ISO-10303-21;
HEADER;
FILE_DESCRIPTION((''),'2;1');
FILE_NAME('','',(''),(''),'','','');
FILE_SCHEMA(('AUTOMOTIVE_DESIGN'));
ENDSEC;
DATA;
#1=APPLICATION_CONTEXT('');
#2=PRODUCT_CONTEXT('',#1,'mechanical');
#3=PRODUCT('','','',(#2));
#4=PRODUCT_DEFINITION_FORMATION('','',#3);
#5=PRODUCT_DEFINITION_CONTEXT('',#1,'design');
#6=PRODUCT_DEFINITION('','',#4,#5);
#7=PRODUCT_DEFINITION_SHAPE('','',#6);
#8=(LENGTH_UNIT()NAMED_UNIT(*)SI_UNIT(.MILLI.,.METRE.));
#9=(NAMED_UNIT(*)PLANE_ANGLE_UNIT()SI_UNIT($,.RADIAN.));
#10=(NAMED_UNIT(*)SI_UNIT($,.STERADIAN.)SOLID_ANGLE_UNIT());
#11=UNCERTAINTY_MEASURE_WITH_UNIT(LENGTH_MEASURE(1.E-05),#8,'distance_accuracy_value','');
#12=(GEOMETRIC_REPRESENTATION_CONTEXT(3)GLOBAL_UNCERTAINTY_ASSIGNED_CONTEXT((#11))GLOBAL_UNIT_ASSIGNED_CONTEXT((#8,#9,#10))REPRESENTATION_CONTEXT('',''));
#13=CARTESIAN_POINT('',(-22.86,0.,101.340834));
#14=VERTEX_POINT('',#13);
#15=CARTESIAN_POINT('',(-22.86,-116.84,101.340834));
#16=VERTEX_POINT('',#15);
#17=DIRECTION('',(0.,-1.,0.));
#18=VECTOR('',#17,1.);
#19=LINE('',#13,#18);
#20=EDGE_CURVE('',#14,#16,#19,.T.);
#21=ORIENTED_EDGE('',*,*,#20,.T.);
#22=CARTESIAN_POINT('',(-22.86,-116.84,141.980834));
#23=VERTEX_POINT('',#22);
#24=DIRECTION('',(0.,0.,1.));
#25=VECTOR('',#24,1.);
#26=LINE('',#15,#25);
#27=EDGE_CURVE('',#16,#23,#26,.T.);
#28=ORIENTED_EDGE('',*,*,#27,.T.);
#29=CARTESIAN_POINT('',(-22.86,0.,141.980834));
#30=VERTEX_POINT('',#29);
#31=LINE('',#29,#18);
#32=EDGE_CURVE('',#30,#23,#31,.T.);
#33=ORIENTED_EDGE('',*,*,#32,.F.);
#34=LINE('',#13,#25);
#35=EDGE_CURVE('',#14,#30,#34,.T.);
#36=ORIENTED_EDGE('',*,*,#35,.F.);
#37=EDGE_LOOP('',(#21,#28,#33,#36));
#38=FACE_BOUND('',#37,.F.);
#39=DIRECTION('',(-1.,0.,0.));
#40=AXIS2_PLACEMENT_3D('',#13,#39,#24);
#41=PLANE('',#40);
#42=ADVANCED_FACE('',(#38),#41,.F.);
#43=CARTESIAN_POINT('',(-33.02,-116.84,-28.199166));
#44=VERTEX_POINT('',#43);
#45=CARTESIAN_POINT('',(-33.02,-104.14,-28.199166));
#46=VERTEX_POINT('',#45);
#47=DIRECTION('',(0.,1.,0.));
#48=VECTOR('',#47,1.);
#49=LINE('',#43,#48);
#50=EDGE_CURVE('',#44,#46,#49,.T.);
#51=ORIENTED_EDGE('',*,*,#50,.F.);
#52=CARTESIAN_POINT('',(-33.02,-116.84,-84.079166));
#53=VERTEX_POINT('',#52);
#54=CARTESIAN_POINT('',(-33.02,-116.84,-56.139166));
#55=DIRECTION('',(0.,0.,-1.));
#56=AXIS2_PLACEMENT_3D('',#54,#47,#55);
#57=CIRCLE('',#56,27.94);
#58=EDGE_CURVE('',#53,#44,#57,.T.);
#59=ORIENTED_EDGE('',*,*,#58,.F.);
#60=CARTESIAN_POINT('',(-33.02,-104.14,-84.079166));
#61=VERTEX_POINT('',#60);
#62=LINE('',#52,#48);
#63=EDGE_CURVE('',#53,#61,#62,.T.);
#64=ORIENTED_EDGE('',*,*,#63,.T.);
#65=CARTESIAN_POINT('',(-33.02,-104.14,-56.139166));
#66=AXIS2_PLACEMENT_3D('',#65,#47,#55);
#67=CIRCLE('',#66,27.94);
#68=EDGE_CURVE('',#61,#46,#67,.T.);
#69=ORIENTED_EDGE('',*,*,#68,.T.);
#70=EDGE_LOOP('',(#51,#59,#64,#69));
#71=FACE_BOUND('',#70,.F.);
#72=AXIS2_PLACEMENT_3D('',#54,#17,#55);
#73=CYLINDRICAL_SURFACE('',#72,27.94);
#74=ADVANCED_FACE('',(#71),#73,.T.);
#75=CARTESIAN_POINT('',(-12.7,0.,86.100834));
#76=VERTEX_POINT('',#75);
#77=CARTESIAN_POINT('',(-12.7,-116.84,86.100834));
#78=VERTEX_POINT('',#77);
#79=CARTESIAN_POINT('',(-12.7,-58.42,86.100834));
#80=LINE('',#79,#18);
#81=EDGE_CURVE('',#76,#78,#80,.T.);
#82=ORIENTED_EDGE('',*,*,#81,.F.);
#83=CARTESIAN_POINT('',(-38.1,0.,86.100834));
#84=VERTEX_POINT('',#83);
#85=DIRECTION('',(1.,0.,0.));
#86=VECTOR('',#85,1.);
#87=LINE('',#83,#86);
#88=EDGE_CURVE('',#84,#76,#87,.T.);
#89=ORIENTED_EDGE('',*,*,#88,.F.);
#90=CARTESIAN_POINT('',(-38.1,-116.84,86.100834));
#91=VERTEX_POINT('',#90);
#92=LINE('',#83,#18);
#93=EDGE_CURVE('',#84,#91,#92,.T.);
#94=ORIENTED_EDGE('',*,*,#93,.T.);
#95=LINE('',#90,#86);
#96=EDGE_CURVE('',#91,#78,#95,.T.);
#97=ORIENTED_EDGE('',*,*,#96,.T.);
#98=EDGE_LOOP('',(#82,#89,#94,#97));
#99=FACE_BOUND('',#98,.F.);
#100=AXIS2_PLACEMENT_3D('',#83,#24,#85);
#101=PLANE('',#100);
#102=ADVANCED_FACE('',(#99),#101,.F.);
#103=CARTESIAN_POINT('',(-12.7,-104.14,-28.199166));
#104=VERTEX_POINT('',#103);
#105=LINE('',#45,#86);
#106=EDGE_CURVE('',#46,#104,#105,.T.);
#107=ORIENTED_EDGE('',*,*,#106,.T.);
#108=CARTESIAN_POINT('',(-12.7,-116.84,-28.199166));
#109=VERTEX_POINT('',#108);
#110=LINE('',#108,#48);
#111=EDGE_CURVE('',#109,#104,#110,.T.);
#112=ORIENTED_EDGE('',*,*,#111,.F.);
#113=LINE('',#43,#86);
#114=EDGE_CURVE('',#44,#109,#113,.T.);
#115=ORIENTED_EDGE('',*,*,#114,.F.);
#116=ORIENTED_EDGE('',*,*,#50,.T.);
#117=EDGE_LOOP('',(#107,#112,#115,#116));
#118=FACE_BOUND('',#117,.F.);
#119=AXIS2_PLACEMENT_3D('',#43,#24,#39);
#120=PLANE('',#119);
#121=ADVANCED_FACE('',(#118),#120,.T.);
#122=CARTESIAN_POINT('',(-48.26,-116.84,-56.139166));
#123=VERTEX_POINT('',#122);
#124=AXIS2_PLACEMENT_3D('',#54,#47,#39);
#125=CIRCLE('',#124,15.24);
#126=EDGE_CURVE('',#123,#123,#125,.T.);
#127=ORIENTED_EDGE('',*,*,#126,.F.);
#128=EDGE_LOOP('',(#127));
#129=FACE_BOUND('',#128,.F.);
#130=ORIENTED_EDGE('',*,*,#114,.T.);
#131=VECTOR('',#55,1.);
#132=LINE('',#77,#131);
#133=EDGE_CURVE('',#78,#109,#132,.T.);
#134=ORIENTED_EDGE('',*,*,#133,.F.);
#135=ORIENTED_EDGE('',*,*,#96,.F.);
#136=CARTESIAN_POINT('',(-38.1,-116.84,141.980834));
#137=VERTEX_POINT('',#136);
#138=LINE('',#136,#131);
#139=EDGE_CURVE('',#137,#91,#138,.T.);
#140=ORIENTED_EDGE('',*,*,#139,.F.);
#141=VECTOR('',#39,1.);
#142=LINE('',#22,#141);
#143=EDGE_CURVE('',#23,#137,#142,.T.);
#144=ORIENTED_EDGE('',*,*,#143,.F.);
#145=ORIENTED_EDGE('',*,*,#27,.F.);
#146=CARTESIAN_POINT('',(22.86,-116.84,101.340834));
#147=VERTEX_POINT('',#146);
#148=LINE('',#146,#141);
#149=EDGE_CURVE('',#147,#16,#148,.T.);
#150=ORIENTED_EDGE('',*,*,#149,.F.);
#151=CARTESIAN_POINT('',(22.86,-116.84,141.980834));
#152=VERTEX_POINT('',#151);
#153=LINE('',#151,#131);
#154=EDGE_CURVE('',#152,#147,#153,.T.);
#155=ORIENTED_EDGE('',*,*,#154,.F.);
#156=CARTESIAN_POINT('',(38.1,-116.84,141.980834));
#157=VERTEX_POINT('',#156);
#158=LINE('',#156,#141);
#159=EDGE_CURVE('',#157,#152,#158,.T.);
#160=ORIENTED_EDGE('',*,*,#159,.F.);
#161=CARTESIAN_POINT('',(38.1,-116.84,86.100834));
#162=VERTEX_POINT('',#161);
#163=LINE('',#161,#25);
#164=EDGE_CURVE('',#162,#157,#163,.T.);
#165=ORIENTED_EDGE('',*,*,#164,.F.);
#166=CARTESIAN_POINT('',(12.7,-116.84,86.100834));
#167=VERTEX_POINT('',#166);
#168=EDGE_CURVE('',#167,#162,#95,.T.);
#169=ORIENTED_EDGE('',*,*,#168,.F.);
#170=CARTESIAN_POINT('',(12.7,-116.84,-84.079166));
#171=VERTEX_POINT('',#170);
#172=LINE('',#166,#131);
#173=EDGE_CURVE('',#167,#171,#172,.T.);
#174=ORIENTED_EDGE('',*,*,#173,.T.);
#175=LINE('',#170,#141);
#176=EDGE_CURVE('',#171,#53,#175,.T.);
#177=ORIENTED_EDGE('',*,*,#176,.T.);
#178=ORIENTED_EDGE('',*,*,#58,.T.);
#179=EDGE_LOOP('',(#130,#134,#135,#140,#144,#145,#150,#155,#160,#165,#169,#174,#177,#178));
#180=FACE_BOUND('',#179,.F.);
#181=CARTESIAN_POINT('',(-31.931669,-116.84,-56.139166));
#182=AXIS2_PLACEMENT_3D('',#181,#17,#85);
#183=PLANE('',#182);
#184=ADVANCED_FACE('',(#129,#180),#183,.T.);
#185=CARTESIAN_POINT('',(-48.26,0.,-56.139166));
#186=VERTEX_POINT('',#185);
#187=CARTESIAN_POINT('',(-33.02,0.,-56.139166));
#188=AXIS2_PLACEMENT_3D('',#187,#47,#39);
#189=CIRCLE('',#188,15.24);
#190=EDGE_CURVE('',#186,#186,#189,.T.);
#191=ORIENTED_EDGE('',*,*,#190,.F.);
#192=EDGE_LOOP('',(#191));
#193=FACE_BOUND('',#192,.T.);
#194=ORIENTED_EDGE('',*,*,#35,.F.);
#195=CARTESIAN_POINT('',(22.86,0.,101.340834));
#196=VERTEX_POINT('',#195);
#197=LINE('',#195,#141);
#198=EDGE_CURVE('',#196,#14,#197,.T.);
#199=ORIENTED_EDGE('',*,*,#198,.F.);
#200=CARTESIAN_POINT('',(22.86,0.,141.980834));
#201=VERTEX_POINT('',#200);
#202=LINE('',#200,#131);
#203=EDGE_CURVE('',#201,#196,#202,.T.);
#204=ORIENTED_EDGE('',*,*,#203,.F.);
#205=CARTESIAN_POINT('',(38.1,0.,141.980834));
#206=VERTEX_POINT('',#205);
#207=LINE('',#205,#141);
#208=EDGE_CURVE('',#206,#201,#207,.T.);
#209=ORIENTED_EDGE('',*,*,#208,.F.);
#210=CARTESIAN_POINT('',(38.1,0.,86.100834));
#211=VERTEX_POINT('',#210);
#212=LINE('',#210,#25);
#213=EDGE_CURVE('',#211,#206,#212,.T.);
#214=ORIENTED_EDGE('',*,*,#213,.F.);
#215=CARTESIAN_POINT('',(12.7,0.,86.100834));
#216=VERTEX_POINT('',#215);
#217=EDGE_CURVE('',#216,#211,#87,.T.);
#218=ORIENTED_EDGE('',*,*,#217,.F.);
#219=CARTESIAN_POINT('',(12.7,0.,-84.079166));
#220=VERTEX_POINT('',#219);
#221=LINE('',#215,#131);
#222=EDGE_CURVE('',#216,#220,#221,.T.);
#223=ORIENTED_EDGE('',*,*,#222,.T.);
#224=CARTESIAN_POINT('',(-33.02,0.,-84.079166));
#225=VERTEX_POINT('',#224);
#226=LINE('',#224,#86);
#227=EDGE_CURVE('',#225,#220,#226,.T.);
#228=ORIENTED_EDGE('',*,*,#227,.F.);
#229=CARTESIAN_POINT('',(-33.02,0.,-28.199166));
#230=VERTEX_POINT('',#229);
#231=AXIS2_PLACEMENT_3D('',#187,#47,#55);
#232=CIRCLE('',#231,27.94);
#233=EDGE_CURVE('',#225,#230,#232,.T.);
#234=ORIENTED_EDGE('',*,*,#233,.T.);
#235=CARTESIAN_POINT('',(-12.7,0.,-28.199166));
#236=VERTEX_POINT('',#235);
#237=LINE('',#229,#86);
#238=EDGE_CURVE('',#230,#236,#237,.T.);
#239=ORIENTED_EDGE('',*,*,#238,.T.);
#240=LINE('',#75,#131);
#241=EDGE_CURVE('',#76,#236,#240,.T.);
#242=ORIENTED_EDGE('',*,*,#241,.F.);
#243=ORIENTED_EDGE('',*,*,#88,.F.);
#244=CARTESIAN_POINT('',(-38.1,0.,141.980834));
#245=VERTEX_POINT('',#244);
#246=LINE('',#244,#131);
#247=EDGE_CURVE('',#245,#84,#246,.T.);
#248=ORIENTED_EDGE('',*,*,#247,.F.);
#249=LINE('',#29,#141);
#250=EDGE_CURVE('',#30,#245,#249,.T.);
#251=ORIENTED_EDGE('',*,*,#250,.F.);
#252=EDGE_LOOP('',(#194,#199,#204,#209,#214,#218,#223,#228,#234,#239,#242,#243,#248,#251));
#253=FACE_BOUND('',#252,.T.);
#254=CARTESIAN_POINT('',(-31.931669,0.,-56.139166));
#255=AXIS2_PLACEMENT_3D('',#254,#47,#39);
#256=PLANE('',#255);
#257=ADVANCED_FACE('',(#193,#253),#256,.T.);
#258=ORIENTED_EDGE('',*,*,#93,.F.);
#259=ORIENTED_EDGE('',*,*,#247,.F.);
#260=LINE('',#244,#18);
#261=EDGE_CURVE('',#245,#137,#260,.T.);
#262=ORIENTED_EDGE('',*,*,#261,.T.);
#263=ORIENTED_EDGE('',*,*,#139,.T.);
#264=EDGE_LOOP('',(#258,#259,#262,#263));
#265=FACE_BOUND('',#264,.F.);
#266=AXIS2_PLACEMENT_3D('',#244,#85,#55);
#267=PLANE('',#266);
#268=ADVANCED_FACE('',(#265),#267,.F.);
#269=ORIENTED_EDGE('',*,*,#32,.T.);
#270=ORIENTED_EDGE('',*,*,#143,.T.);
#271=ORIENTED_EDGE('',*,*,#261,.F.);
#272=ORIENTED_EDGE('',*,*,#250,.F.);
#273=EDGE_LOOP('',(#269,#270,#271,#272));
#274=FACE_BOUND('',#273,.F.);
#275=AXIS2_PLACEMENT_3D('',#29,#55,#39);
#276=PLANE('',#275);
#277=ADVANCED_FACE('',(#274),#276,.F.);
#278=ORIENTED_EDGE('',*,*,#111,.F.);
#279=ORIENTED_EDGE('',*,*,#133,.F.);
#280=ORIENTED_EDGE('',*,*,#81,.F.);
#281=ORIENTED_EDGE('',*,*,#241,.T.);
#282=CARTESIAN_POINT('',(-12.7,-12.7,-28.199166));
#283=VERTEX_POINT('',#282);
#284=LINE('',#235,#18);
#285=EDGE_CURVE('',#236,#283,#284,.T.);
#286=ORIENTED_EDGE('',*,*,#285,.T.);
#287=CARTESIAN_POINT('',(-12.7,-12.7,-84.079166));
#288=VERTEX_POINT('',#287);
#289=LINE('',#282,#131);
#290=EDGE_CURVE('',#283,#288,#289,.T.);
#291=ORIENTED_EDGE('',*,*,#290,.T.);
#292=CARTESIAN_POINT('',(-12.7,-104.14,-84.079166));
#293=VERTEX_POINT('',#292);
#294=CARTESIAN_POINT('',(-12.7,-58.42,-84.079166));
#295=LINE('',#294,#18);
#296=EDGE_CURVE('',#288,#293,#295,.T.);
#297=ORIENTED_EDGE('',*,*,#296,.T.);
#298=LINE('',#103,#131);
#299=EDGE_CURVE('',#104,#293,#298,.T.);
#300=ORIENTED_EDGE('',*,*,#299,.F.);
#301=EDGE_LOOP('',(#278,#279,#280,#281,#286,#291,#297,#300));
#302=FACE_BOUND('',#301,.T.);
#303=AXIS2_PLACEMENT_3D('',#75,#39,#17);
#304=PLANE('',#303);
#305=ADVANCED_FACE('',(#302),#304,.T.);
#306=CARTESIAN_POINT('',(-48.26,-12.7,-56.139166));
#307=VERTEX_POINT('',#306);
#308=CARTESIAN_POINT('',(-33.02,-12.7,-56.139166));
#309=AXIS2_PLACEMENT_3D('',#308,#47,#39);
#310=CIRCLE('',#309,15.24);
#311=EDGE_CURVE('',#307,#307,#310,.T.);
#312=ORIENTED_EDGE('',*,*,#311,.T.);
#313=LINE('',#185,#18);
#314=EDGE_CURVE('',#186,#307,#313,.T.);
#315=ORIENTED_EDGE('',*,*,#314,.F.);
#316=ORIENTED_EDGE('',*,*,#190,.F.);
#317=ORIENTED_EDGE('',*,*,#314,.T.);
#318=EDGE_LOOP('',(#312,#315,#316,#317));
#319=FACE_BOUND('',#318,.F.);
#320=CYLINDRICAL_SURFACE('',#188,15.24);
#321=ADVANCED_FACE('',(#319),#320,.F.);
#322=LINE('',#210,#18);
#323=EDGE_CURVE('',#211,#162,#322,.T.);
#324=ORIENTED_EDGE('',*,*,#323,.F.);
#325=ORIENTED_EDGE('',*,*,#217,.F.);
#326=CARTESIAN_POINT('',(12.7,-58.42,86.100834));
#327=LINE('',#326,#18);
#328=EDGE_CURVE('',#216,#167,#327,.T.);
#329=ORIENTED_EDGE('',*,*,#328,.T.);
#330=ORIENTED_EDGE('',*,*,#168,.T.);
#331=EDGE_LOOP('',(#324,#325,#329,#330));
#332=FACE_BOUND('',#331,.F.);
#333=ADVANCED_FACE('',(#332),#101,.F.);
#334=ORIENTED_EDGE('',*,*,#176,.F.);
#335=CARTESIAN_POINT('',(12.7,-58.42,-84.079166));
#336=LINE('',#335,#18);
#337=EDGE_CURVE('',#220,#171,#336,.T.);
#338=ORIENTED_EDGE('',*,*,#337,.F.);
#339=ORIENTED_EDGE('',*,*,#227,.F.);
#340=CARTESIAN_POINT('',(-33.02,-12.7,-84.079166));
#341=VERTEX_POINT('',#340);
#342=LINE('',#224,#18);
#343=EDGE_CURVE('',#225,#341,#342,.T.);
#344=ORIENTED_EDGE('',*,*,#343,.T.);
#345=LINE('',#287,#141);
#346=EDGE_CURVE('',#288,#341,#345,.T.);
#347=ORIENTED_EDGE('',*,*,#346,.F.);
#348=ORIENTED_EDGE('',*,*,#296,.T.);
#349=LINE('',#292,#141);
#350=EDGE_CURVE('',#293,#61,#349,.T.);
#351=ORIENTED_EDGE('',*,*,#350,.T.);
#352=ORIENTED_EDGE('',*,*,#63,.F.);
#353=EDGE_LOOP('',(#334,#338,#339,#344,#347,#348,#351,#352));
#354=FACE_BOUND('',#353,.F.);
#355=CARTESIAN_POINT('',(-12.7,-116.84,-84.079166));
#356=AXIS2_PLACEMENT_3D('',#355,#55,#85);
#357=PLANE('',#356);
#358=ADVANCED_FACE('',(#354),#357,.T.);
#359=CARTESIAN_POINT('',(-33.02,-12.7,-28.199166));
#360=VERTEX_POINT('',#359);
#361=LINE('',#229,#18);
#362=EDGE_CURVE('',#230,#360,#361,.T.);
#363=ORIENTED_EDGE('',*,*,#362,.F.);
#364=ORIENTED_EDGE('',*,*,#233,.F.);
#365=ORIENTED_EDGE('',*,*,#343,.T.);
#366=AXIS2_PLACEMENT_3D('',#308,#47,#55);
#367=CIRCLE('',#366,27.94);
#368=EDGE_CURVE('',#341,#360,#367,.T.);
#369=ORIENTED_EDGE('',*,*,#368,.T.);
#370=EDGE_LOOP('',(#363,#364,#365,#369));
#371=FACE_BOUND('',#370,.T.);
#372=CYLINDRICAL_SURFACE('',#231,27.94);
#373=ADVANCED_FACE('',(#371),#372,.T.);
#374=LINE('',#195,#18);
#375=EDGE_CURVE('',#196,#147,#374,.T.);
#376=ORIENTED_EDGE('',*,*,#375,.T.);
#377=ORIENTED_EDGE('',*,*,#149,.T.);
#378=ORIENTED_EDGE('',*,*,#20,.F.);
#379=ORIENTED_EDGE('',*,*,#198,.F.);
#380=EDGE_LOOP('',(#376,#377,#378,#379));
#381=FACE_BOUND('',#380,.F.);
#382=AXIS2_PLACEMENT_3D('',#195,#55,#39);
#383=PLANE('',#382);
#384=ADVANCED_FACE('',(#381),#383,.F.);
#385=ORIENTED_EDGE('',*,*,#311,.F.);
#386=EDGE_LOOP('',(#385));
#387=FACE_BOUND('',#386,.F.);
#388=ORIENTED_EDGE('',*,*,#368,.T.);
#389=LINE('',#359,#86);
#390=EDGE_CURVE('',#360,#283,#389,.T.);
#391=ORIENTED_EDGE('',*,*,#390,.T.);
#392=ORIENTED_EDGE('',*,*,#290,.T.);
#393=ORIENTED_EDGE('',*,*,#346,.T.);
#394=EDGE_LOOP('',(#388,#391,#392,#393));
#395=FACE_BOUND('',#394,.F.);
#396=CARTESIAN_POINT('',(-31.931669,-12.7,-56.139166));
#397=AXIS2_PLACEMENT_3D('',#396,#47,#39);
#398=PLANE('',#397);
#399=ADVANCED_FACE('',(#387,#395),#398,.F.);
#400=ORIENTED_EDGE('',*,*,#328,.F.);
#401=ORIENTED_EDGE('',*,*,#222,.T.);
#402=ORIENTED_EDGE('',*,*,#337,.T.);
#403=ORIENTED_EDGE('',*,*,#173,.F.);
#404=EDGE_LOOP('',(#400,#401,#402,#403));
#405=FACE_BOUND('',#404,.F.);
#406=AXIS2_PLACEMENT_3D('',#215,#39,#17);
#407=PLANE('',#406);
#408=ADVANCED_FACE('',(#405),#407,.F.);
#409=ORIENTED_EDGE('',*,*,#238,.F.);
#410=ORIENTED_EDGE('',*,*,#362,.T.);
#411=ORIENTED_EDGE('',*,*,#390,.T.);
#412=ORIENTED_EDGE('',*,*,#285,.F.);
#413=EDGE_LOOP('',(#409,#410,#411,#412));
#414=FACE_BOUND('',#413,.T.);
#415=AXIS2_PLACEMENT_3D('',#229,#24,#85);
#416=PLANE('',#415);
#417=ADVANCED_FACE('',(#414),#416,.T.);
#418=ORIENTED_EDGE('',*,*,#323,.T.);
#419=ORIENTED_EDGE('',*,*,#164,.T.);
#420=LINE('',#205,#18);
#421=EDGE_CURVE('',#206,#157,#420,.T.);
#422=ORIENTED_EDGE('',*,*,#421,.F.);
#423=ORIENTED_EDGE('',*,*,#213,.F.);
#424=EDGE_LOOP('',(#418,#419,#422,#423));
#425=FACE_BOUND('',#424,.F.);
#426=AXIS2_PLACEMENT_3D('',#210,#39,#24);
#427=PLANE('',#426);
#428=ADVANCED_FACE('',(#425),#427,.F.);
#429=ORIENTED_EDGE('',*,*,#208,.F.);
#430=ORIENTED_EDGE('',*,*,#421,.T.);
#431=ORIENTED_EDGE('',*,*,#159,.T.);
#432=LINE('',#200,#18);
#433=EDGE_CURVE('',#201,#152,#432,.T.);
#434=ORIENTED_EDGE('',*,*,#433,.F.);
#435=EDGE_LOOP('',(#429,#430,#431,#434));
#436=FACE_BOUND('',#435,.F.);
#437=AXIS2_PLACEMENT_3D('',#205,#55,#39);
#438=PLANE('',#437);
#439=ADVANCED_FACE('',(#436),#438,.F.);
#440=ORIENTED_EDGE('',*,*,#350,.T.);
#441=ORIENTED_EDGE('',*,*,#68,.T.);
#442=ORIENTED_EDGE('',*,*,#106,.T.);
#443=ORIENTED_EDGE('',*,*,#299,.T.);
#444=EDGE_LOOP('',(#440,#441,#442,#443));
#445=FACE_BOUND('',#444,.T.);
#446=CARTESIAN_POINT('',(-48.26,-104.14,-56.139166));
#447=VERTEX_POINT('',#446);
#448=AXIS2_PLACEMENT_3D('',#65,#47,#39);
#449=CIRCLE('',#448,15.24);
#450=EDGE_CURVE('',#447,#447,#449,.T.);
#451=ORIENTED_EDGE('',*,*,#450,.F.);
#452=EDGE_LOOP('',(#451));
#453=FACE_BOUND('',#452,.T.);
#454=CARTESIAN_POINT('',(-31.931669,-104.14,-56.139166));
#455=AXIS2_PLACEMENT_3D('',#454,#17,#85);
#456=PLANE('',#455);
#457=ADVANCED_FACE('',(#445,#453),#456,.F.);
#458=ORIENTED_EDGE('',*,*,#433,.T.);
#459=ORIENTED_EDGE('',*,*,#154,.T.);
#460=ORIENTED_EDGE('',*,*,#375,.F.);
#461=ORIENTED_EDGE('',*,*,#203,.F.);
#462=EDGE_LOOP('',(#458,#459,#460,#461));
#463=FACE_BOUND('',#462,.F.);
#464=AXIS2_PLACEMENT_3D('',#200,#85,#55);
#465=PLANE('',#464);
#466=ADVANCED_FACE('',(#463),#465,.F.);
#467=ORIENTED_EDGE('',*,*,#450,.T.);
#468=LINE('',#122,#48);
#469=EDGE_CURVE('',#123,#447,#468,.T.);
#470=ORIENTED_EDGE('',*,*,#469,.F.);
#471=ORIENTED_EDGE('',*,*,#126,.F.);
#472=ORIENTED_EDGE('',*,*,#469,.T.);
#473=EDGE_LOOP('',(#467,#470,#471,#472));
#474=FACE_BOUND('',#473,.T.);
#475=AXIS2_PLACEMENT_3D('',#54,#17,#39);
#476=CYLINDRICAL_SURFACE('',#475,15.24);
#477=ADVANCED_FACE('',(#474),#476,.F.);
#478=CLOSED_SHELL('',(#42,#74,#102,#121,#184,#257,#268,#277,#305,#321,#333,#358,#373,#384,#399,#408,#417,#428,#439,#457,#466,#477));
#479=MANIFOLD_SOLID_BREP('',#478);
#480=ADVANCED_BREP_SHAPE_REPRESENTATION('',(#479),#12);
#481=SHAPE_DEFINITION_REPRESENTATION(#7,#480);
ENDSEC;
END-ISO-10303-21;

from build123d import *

# Parameters (mm, degrees)
F1_DEPTH = 116.84
F2_W     = 25.4
F2_H     = 116.84
F3_DEPTH = 170.18
F4_R     = 15.24
F5_DEPTH = 12.7


with BuildPart() as f1:
    # F0 (on Front) → F1 (new body)
    with BuildSketch(Plane.XZ):
        Polygon((-38.1, 86.1008339764), (0, 86.1008339764), (38.1, 86.1008339764), (38.1, 141.9808339764), (22.86, 141.9808339764), (22.86, 101.3408339764), (0, 101.3408339764), (-22.86, 101.3408339764), (-22.86, 141.9808339764), (-38.1, 141.9808339764), align=None)
    extrude(amount=F1_DEPTH)

    # F2 (on face) → F3 (join)
    with BuildSketch(Plane(origin=(0, 0, 86.1008339764), x_dir=(1, 0, 0), z_dir=(0, 0, -1))):
        with Locations((0, 58.42)):
            Rectangle(F2_W, F2_H)
    extrude(amount=F3_DEPTH)

    # F4 (on face) → F5 (join)
    with BuildSketch(Plane(origin=(0, 0, 0), x_dir=(-1, 0, 0), z_dir=(0, 1, 0))):
        with BuildLine():
            Line((12.7, -84.0791660236), (33.02, -84.0791660236))
            ThreePointArc((33.02, -84.0791660236), (60.96, -56.1391660236), (33.02, -28.1991660236))
            Line((33.02, -28.1991660236), (12.7, -28.1991660236))
            Line((12.7, -28.1991660236), (12.7, -84.0791660236))
        make_face()
        with Locations((33.02, -56.1391660236)):
            Circle(F4_R, mode=Mode.SUBTRACT)
    extrude(amount=-F5_DEPTH)

    # F7: F1 across plane


with BuildPart() as f1_1:
    add(f1.part)
    add(f1.part.mirror(Plane.XZ.offset(58.42)))


solid = f1_1.part
